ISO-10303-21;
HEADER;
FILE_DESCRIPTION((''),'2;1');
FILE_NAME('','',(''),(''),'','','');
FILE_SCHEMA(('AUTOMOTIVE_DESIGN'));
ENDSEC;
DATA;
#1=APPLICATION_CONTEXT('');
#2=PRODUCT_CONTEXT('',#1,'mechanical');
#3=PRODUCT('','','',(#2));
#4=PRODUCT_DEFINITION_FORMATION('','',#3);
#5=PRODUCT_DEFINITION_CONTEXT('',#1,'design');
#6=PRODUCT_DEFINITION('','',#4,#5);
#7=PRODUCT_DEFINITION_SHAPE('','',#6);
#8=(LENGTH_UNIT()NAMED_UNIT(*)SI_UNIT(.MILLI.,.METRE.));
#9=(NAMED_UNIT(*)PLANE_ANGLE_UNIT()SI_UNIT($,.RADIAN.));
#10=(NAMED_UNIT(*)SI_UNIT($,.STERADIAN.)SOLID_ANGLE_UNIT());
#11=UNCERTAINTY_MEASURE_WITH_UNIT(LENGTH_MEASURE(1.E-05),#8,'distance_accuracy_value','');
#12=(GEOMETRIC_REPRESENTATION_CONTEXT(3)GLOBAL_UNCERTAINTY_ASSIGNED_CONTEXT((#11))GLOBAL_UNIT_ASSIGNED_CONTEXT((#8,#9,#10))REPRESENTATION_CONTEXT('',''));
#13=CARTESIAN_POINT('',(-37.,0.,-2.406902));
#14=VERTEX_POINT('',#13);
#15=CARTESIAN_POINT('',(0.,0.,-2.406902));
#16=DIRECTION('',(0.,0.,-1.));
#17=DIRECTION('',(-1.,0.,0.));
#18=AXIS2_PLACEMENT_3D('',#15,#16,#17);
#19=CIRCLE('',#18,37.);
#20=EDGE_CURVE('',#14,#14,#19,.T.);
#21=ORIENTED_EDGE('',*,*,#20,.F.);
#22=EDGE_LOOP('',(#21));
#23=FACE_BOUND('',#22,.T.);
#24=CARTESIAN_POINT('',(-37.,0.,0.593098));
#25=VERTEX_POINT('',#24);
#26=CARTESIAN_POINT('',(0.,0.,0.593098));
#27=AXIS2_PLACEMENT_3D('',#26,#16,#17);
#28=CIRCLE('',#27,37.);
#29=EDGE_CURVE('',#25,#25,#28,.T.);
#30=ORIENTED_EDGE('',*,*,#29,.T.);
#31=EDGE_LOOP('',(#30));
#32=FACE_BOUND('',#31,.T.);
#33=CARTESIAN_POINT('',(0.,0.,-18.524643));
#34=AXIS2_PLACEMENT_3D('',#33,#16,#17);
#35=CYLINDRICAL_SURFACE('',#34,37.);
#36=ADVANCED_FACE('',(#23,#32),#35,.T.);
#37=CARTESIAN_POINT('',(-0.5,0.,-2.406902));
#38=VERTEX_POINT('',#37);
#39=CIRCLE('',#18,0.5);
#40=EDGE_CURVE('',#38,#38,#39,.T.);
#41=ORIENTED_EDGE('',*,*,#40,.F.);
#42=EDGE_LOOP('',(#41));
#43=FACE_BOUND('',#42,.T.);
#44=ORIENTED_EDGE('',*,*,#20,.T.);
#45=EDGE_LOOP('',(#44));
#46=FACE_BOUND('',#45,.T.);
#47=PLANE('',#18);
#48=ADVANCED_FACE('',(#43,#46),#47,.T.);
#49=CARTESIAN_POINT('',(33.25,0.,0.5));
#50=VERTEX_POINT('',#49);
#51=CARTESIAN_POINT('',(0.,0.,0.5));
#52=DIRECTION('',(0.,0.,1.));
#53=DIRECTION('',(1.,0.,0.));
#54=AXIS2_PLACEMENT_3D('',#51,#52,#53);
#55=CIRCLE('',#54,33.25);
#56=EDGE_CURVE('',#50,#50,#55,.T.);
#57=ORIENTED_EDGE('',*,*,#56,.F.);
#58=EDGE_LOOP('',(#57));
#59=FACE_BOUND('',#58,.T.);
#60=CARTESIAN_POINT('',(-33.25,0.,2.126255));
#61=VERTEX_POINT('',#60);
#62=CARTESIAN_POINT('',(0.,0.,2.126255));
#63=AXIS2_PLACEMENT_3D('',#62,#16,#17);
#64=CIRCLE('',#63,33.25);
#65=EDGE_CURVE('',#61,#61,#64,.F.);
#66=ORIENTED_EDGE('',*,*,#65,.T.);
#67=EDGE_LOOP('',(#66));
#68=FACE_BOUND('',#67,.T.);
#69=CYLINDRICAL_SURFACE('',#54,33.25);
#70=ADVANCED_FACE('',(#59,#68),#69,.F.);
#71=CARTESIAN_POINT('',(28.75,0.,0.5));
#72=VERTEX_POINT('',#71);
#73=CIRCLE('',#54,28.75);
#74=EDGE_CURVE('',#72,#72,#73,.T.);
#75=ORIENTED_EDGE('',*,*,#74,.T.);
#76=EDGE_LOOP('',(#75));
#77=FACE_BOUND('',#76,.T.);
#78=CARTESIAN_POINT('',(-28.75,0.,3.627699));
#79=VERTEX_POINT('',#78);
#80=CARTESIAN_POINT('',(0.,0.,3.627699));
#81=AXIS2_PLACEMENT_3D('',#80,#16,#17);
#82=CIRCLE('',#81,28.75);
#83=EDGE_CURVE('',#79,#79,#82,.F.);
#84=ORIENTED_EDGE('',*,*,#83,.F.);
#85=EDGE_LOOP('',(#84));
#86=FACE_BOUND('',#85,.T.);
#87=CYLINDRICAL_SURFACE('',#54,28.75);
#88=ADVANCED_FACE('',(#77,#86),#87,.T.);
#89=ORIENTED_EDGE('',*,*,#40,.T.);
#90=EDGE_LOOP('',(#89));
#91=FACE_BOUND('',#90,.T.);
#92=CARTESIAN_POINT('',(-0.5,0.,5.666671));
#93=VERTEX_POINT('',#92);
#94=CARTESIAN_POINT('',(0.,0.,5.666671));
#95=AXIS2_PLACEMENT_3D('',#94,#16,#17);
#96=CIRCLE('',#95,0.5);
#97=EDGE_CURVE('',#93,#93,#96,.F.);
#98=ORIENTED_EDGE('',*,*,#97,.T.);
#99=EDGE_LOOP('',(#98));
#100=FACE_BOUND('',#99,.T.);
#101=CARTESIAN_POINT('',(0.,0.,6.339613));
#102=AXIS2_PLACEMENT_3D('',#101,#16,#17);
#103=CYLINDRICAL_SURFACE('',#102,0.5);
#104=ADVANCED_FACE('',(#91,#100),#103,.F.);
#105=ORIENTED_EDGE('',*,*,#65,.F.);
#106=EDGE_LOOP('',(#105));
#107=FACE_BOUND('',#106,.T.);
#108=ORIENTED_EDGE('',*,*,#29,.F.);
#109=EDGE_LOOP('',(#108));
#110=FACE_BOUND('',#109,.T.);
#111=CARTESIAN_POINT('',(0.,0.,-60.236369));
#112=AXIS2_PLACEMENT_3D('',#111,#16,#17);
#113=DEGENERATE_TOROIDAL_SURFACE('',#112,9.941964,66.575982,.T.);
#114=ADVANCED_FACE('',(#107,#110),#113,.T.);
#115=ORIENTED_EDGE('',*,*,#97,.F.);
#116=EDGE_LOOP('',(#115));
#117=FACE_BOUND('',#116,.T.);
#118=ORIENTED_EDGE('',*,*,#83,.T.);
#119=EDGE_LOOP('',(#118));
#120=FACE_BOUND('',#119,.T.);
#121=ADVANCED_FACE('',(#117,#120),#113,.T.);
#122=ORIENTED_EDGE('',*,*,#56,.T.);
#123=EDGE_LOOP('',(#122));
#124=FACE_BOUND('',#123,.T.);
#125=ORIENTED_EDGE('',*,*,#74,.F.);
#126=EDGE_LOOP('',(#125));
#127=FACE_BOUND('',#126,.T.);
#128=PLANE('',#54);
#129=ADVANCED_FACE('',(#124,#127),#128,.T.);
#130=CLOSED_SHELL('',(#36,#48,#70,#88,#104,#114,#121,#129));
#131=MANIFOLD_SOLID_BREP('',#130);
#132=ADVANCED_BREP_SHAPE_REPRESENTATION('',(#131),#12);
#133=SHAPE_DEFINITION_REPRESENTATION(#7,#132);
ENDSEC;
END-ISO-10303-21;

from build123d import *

# Parameters (mm, degrees)
SKETCH2_R          = 0.5
CUT_EXTRUDE1_DEPTH = 9.746515042
SKETCH3_R          = 33.25
SKETCH3_R_2        = 28.75
CUT_EXTRUDE3_DEPTH = 7.5


with BuildPart() as part:
    # Sketch1 → Revolve1 (revolve)
    with BuildSketch(Plane(origin=(0, 0, 0), x_dir=(1, 0, 0), z_dir=(0, 1, 0))):
        with BuildLine():
            Line((0, 2.406901823), (-37, 2.406901823))
            Line((-37, 2.406901823), (-37, -0.593098177))
            ThreePointArc((-37, -0.593098177), (-18.857679345, -5.739925328), (0, -5.593098177))
            Line((0, -5.593098177), (0, 2.406901823))
        make_face()
    revolve(axis=Axis((0, 0, -18.524642857), (0, 0, 1)))

    # Sketch2 → Cut-Extrude1 (cut, through all)
    with BuildSketch(Plane(origin=(0, 0, -2.406901823), x_dir=(-1, 0, 0), z_dir=(0, 0, -1))):
        Circle(SKETCH2_R)
    extrude(amount=-CUT_EXTRUDE1_DEPTH, mode=Mode.SUBTRACT)

    # Sketch3 → Cut-Extrude3 (cut)
    with BuildSketch(Plane.XY.offset(8)):
        Circle(SKETCH3_R)
        Circle(SKETCH3_R_2, mode=Mode.SUBTRACT)
    extrude(amount=-CUT_EXTRUDE3_DEPTH, mode=Mode.SUBTRACT)


solid = part.part
